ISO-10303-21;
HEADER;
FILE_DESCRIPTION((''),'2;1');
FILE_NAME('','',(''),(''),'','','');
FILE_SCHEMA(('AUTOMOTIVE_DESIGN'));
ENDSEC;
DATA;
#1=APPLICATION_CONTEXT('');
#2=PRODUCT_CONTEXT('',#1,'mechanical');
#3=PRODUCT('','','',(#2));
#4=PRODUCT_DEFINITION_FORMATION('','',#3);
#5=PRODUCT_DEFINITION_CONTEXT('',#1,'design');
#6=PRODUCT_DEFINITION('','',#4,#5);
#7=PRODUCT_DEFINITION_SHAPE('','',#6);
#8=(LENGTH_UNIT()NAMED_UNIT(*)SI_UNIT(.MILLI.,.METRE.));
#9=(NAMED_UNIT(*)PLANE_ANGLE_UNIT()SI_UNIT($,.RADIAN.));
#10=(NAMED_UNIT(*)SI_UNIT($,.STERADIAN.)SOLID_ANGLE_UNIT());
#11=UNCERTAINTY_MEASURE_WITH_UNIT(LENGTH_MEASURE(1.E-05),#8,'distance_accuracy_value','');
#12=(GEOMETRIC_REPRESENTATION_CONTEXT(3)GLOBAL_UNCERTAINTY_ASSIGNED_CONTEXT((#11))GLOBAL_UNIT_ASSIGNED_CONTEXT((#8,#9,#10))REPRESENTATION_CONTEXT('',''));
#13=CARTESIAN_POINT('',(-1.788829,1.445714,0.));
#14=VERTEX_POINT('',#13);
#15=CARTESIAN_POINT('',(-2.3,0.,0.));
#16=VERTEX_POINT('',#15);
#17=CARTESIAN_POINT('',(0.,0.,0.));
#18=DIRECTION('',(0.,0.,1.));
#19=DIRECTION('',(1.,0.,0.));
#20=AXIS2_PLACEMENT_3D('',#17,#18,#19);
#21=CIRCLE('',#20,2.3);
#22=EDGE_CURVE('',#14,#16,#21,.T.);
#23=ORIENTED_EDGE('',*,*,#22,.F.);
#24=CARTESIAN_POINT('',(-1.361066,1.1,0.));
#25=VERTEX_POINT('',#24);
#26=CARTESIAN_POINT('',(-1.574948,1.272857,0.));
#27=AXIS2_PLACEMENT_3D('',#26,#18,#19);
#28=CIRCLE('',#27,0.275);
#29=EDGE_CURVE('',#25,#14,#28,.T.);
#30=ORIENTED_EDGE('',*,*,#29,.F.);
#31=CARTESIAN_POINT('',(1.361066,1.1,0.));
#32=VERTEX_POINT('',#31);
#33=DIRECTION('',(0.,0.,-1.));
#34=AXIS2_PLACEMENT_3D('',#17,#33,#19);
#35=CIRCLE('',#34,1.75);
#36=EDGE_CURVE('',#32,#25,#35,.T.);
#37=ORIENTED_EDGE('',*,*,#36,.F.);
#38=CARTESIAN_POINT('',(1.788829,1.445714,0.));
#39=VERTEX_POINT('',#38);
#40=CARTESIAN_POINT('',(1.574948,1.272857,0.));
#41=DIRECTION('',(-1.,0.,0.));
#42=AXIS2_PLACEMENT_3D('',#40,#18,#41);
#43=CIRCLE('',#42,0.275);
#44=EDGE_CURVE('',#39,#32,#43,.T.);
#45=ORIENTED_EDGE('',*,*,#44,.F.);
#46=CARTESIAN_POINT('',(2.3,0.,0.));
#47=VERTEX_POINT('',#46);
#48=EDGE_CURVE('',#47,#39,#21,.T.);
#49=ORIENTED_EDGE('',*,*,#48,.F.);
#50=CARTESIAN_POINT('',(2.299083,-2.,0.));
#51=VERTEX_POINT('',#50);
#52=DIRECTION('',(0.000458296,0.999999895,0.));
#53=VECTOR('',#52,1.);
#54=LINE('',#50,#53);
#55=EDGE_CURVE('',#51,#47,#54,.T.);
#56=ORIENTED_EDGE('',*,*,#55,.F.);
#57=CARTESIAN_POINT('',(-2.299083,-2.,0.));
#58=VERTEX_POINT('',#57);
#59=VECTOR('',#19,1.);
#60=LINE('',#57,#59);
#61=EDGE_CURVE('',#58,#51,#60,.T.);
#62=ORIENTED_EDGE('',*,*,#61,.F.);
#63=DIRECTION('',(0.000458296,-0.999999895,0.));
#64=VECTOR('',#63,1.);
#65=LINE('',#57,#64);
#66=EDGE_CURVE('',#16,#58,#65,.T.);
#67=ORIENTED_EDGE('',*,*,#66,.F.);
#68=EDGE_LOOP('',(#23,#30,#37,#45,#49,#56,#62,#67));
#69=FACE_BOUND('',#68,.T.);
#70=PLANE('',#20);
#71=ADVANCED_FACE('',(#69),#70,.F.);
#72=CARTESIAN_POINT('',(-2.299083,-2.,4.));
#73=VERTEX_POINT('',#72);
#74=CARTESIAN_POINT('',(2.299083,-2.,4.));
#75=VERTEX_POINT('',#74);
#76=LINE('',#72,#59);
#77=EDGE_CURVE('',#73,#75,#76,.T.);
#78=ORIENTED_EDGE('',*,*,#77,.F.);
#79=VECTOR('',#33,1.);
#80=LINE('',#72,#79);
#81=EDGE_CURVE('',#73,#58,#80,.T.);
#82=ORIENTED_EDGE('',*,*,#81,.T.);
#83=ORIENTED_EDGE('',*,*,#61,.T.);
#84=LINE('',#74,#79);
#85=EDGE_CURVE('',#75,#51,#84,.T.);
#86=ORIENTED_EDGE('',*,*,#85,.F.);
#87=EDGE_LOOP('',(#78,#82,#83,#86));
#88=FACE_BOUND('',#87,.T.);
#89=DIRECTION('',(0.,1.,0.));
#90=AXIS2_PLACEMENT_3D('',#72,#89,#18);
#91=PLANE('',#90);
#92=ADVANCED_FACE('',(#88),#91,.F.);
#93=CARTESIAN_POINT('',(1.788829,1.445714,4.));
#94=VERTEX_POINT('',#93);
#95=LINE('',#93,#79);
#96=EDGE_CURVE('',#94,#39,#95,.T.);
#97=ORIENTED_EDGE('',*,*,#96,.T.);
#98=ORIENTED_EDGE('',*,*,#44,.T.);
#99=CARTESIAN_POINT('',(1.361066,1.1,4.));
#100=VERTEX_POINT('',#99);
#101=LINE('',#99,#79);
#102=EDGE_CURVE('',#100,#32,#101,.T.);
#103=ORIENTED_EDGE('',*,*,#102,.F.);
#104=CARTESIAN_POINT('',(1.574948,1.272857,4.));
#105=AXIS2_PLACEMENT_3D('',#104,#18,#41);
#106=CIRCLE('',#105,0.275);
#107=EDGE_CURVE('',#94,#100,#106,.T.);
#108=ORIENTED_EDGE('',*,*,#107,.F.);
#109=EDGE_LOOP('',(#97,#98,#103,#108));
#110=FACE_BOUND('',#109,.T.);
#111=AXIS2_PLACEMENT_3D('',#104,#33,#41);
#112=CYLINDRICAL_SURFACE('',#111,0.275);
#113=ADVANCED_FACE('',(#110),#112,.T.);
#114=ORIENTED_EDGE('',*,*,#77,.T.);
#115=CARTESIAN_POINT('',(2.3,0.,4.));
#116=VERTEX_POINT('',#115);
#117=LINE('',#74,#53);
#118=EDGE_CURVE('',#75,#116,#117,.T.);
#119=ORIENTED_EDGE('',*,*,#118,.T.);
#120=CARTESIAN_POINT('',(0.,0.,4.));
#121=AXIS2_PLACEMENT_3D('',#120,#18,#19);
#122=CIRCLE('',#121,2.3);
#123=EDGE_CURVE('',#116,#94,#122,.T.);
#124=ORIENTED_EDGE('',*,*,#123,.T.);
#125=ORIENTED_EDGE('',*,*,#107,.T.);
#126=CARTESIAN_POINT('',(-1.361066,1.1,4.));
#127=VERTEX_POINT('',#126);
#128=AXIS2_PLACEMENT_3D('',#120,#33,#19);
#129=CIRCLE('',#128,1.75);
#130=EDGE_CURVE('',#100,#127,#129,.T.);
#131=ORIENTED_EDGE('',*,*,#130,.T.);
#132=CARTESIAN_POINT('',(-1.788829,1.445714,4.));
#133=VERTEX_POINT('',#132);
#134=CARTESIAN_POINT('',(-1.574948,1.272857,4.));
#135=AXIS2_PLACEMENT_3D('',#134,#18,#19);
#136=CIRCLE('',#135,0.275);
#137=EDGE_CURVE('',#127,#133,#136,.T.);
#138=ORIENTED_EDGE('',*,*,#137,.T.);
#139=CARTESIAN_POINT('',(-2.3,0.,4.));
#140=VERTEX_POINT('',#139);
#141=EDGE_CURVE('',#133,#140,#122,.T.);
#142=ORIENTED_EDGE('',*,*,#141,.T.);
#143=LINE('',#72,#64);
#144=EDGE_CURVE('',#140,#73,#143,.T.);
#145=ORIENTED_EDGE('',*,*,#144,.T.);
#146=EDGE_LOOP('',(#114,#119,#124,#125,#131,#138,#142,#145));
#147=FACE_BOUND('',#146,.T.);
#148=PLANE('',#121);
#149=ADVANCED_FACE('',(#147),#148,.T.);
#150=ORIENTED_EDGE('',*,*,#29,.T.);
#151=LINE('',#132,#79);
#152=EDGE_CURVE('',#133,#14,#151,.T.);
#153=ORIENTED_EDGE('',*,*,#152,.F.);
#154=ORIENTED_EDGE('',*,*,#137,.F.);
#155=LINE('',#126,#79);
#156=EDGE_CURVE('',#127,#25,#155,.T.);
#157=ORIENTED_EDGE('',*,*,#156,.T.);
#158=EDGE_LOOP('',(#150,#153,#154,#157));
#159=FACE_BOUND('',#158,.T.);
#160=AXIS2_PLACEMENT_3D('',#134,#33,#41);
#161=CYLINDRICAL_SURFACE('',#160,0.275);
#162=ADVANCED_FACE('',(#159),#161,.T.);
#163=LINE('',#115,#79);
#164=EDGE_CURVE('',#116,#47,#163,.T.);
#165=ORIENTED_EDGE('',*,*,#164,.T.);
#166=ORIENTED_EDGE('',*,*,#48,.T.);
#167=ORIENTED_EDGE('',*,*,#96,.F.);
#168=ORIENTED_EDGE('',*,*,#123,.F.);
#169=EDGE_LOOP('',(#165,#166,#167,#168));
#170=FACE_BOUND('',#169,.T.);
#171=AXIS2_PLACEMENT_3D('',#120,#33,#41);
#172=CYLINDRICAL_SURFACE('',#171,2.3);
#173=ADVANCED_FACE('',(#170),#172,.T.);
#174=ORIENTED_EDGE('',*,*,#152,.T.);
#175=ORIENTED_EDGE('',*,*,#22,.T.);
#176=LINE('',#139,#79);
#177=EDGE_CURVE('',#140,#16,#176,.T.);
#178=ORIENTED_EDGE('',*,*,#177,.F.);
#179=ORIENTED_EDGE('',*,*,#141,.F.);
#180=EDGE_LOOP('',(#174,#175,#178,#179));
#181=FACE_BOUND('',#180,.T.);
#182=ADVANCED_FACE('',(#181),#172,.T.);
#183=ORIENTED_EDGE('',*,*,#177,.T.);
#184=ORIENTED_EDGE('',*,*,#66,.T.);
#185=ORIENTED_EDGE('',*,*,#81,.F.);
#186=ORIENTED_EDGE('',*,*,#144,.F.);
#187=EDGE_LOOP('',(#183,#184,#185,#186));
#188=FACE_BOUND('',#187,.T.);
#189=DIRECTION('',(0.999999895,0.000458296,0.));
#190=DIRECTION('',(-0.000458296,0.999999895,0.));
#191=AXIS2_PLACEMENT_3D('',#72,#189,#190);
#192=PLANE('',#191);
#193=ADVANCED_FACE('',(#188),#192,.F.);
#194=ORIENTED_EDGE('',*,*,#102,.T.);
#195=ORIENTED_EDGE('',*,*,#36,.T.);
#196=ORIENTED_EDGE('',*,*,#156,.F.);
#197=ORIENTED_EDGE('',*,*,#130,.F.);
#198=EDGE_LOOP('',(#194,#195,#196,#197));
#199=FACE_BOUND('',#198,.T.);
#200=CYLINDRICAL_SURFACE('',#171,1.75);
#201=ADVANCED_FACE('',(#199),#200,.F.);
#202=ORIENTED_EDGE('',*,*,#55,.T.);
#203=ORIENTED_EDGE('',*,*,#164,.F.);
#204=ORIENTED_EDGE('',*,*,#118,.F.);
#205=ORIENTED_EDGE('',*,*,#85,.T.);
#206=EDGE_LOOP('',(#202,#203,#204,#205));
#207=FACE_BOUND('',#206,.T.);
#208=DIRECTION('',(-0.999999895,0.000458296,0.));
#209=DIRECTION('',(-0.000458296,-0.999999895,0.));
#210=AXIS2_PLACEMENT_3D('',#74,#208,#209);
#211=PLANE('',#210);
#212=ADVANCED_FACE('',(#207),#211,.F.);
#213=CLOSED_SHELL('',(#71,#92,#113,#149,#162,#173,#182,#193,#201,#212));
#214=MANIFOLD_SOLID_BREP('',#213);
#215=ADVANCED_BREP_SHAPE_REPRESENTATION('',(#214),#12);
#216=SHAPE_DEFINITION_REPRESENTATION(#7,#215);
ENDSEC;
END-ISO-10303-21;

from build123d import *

# Parameters (mm, degrees)
EXTRUDE_1_DEPTH = 4


with BuildPart() as part:
    # 草图1 → 凸台-拉伸1 (new body)
    with BuildSketch(Plane.XY):
        with BuildLine():
            Line((-2.299083407, -2), (2.299083407, -2))
            Line((2.299083407, -2), (2.3, 0))
            ThreePointArc((2.3, 0), (2.16844499, 0.76671137), (1.788829283, 1.445714286))
            ThreePointArc((1.788829283, 1.445714286), (1.402090378, 1.486738905), (1.361065759, 1.1))
            ThreePointArc((1.361065759, 1.1), (0, -1.75), (-1.361065759, 1.1))
            ThreePointArc((-1.361065759, 1.1), (-1.402090378, 1.486738905), (-1.788829283, 1.445714286))
            ThreePointArc((-1.788829283, 1.445714286), (-2.16844499, 0.76671137), (-2.3, 0))
            Line((-2.3, 0), (-2.299083407, -2))
        make_face()
    extrude(amount=EXTRUDE_1_DEPTH)


solid = part.part
